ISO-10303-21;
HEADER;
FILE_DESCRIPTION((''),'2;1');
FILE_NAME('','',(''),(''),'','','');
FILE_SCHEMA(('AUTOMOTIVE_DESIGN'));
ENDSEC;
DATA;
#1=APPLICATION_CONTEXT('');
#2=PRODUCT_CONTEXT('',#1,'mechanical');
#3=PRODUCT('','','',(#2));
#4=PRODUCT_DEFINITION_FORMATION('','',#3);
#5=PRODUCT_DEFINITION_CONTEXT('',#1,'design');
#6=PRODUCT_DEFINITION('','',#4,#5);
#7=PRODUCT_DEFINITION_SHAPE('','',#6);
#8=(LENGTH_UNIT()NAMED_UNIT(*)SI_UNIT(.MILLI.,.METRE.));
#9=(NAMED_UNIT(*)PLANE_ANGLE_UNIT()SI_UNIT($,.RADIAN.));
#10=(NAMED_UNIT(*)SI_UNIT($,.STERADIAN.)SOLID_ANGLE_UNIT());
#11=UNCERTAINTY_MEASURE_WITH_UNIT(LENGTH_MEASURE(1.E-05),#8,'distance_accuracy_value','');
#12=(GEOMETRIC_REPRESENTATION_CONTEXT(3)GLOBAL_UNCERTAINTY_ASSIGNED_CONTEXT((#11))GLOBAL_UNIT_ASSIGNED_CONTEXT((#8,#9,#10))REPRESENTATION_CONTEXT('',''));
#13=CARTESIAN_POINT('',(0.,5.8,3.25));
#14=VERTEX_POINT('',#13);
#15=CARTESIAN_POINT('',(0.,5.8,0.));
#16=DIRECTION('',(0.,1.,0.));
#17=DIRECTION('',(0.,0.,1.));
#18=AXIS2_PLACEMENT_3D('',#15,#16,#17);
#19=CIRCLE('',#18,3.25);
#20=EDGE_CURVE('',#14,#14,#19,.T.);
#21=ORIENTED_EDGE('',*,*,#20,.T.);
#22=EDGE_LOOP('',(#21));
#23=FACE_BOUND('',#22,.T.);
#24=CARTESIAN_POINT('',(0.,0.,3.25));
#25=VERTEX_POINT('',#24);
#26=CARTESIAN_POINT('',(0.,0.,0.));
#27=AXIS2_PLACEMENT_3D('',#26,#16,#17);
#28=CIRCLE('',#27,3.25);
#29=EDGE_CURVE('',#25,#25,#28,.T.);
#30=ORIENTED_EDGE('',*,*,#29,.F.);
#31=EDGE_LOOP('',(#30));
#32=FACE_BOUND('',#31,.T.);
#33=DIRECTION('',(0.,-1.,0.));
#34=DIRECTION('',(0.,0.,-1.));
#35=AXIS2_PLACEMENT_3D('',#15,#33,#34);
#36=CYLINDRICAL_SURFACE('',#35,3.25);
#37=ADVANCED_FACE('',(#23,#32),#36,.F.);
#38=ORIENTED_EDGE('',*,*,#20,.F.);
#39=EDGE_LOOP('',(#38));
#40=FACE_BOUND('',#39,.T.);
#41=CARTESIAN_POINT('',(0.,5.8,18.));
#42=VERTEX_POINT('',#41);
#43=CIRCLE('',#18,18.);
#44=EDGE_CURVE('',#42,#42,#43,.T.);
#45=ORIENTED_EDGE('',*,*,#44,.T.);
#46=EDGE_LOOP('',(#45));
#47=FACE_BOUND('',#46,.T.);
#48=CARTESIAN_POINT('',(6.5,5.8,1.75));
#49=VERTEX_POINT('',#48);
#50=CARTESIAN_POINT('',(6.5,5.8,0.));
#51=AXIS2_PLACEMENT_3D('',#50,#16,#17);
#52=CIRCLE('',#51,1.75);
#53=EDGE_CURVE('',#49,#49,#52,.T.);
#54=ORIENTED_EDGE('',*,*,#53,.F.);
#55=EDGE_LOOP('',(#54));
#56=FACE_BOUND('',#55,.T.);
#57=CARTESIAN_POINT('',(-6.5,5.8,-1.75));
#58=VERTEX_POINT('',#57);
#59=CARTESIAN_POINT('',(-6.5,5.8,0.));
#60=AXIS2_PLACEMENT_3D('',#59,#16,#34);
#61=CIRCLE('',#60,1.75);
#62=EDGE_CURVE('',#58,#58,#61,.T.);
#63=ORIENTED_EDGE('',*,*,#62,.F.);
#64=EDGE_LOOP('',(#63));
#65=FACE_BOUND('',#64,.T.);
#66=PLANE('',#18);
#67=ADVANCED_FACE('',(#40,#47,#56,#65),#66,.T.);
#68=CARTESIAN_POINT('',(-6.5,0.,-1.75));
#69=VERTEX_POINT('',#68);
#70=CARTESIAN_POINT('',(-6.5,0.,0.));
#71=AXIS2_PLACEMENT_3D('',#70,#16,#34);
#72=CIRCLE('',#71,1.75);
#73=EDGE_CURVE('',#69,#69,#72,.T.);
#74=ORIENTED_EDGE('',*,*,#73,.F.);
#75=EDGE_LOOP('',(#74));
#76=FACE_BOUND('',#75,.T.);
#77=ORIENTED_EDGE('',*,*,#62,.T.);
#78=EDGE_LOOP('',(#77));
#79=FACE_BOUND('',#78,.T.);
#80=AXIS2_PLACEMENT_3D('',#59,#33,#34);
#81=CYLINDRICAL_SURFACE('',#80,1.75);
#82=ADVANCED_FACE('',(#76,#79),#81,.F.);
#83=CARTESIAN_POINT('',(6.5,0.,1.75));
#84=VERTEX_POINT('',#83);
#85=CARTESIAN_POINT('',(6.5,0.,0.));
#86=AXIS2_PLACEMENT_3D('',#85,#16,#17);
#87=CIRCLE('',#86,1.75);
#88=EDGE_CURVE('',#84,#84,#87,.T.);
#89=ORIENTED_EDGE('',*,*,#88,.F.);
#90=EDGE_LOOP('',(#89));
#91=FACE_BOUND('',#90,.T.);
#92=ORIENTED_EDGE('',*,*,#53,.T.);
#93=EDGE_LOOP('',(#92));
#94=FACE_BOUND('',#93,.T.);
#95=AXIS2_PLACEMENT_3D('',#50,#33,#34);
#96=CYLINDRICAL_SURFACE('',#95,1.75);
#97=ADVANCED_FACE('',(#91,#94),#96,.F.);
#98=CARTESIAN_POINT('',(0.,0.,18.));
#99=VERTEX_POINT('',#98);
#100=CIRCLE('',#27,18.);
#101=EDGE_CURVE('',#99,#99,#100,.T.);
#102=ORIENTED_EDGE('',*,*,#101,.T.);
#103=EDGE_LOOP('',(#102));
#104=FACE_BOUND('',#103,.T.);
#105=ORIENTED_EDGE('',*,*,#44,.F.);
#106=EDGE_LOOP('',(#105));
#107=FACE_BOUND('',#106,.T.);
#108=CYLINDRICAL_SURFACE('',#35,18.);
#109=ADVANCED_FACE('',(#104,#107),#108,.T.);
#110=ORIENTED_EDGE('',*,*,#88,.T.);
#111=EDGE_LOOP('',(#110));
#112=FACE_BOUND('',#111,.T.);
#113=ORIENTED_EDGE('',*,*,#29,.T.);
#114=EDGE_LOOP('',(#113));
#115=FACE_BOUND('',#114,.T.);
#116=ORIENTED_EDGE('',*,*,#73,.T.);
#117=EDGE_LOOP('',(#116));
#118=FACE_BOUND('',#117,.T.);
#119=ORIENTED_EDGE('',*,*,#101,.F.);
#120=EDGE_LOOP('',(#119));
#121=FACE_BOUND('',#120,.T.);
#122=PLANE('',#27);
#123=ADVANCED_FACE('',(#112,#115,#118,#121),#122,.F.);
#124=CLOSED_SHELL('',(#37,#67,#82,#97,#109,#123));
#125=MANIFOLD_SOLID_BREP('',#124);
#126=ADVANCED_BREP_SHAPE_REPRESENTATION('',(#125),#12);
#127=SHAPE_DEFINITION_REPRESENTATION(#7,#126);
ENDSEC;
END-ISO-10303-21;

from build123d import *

# Parameters (mm, degrees)
SKETCH_1_R      = 18
SKETCH_1_R_2    = 3.25
SKETCH_1_R_3    = 1.75
EXTRUDE_1_DEPTH = 5.8


with BuildPart() as part:
    # ｽｹｯﾁ1 → ﾎﾞｽ - 押し出し1 (new body)
    with BuildSketch(Plane(origin=(0, 0, 0), x_dir=(1, 0, 0), z_dir=(0, 1, 0))):
        with Locations(Location((0, 0, 0), (0, 0, 270))):
            Circle(SKETCH_1_R)
        with Locations(Location((0, 0, 0), (0, 0, 270))):
            Circle(SKETCH_1_R_2, mode=Mode.SUBTRACT)
        with Locations(Location((6.5, 0, 0), (0, 0, 270))):
            Circle(SKETCH_1_R_3, mode=Mode.SUBTRACT)
        with Locations(Location((-6.5, 0, 0), (0, 0, 90))):
            Circle(SKETCH_1_R_3, mode=Mode.SUBTRACT)
    extrude(amount=EXTRUDE_1_DEPTH)


solid = part.part
